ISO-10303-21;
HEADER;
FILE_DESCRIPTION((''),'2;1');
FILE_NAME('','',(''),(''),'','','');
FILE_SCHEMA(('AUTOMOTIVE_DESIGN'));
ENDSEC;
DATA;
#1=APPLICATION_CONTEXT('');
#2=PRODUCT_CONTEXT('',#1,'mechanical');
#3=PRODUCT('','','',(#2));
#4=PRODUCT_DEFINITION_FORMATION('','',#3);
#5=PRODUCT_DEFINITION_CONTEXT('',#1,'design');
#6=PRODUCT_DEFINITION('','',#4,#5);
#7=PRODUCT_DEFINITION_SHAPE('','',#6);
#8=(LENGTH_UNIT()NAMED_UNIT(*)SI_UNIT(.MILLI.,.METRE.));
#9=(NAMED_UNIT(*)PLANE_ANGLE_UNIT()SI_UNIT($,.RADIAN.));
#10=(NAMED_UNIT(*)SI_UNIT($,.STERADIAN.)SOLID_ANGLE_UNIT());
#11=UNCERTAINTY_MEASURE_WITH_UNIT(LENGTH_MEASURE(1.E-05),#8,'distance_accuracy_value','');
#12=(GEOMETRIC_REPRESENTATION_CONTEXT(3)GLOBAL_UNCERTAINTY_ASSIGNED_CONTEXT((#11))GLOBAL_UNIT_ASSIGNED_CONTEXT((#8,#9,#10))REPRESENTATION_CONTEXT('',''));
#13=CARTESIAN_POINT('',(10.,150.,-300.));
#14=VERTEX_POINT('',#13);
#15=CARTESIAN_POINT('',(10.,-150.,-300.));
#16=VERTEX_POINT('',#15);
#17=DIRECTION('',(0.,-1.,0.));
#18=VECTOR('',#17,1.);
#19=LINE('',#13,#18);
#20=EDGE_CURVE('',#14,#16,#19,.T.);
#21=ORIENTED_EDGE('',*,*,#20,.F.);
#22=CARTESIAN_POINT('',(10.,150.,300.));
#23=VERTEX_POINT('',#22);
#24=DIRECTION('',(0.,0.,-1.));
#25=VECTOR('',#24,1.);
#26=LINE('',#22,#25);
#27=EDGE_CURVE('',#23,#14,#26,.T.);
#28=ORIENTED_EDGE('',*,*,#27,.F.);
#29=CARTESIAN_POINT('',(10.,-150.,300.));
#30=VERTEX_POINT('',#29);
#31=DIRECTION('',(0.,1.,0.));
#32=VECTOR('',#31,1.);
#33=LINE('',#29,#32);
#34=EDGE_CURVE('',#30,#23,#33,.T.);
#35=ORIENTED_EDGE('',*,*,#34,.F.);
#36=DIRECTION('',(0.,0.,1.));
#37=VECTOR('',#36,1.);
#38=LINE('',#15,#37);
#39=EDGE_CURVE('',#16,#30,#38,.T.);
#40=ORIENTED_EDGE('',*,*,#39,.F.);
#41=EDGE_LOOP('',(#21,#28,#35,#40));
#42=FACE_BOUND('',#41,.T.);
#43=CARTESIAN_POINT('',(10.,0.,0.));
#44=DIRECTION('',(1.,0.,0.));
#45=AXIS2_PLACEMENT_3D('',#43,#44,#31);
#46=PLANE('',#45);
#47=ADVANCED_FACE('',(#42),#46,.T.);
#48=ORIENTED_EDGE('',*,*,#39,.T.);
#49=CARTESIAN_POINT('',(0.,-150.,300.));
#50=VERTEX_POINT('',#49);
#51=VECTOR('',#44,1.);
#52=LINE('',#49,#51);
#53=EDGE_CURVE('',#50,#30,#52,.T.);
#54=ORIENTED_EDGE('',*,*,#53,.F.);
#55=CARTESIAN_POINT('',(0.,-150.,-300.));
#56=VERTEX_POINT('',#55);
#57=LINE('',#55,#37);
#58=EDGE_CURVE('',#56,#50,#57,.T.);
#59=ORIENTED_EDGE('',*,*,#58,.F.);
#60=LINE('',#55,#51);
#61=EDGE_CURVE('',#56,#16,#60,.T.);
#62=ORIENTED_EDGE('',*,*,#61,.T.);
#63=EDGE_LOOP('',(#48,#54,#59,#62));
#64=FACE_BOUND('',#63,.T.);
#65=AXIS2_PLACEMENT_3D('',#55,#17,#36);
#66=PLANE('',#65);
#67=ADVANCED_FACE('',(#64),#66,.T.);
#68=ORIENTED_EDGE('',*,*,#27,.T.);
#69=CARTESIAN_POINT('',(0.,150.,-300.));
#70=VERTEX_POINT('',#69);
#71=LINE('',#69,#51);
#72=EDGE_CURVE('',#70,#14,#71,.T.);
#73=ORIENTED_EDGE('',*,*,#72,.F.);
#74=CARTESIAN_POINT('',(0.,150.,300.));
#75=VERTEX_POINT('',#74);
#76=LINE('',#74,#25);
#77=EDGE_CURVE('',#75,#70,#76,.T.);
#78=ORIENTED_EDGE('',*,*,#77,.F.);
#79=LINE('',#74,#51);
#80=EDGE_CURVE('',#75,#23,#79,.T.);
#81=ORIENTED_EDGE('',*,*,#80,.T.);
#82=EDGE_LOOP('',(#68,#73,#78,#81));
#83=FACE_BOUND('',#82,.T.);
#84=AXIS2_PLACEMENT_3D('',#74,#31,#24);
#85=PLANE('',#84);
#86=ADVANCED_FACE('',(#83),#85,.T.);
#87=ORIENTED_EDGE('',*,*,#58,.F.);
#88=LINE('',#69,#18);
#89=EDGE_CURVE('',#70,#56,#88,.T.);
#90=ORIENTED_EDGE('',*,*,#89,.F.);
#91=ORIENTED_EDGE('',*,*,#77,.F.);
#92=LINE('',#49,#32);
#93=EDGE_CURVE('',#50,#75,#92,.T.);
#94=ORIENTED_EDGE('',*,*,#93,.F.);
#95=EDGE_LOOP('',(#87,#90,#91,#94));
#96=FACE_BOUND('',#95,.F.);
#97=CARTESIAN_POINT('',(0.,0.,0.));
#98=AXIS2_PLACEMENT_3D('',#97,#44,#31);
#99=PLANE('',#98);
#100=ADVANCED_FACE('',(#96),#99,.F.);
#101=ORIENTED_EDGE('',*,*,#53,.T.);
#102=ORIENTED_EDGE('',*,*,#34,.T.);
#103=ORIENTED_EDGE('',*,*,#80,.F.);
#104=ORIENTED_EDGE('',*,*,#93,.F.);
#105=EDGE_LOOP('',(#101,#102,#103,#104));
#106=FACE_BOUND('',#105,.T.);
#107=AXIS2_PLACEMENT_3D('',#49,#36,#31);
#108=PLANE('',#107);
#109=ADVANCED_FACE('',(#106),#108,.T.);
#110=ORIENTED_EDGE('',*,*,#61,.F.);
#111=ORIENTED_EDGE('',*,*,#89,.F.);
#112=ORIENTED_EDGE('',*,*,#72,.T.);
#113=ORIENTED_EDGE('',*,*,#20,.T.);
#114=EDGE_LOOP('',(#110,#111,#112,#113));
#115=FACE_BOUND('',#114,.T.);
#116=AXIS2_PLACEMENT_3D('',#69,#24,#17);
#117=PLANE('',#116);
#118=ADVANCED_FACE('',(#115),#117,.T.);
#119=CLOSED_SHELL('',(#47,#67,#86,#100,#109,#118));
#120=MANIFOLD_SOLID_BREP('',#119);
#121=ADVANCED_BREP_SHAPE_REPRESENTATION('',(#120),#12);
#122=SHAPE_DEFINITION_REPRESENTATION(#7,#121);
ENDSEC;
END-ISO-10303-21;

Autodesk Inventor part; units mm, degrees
ref_plane "YZ Plane" through (0, 0, 0) normal (1, 0, 0) x (0, 1, 0)
ref_plane "XZ Plane" through (0, 0, 0) normal (0, 1, 0) x (-1, 0, 0)
ref_plane "XY Plane" through (0, 0, 0) normal (0, 0, 1) x (1, 0, 0)
sketch "Sketch1" plane through (0, 0, 0) normal (1, 0, 0) x (0, 1, 0)
  line L0 (-150, 300) -> (150, 300)
  line L1 (150, 300) -> (150, -300)
  line L2 (150, -300) -> (-150, -300)
  line L3 (-150, -300) -> (-150, 300)
  line L4 (-150, 300) -> (150, -300) construction
  line L5 (150, 300) -> (-150, -300) construction
  point P0 (0, 0)
  dimension "d0" = 300
  dimension "d1" = 600
extrude "Extrusion1" add sketch "Sketch1" along normal blind 10
sketch "Sketch2" plane through (10, 0, 0) normal (1, 0, 0) x (0, 0, -1)
  line L0 (300, 150) -> (-300, 150) projected
  line L1 (-300, 150) -> (300, 150) construction
  line L2 (300, 150) -> (300, -150) construction
  line L3 (300, -150) -> (-300, -150) construction
  line L4 (-300, -150) -> (-300, 150) construction
  point P0 (0, 0)
properties part number "game board"
